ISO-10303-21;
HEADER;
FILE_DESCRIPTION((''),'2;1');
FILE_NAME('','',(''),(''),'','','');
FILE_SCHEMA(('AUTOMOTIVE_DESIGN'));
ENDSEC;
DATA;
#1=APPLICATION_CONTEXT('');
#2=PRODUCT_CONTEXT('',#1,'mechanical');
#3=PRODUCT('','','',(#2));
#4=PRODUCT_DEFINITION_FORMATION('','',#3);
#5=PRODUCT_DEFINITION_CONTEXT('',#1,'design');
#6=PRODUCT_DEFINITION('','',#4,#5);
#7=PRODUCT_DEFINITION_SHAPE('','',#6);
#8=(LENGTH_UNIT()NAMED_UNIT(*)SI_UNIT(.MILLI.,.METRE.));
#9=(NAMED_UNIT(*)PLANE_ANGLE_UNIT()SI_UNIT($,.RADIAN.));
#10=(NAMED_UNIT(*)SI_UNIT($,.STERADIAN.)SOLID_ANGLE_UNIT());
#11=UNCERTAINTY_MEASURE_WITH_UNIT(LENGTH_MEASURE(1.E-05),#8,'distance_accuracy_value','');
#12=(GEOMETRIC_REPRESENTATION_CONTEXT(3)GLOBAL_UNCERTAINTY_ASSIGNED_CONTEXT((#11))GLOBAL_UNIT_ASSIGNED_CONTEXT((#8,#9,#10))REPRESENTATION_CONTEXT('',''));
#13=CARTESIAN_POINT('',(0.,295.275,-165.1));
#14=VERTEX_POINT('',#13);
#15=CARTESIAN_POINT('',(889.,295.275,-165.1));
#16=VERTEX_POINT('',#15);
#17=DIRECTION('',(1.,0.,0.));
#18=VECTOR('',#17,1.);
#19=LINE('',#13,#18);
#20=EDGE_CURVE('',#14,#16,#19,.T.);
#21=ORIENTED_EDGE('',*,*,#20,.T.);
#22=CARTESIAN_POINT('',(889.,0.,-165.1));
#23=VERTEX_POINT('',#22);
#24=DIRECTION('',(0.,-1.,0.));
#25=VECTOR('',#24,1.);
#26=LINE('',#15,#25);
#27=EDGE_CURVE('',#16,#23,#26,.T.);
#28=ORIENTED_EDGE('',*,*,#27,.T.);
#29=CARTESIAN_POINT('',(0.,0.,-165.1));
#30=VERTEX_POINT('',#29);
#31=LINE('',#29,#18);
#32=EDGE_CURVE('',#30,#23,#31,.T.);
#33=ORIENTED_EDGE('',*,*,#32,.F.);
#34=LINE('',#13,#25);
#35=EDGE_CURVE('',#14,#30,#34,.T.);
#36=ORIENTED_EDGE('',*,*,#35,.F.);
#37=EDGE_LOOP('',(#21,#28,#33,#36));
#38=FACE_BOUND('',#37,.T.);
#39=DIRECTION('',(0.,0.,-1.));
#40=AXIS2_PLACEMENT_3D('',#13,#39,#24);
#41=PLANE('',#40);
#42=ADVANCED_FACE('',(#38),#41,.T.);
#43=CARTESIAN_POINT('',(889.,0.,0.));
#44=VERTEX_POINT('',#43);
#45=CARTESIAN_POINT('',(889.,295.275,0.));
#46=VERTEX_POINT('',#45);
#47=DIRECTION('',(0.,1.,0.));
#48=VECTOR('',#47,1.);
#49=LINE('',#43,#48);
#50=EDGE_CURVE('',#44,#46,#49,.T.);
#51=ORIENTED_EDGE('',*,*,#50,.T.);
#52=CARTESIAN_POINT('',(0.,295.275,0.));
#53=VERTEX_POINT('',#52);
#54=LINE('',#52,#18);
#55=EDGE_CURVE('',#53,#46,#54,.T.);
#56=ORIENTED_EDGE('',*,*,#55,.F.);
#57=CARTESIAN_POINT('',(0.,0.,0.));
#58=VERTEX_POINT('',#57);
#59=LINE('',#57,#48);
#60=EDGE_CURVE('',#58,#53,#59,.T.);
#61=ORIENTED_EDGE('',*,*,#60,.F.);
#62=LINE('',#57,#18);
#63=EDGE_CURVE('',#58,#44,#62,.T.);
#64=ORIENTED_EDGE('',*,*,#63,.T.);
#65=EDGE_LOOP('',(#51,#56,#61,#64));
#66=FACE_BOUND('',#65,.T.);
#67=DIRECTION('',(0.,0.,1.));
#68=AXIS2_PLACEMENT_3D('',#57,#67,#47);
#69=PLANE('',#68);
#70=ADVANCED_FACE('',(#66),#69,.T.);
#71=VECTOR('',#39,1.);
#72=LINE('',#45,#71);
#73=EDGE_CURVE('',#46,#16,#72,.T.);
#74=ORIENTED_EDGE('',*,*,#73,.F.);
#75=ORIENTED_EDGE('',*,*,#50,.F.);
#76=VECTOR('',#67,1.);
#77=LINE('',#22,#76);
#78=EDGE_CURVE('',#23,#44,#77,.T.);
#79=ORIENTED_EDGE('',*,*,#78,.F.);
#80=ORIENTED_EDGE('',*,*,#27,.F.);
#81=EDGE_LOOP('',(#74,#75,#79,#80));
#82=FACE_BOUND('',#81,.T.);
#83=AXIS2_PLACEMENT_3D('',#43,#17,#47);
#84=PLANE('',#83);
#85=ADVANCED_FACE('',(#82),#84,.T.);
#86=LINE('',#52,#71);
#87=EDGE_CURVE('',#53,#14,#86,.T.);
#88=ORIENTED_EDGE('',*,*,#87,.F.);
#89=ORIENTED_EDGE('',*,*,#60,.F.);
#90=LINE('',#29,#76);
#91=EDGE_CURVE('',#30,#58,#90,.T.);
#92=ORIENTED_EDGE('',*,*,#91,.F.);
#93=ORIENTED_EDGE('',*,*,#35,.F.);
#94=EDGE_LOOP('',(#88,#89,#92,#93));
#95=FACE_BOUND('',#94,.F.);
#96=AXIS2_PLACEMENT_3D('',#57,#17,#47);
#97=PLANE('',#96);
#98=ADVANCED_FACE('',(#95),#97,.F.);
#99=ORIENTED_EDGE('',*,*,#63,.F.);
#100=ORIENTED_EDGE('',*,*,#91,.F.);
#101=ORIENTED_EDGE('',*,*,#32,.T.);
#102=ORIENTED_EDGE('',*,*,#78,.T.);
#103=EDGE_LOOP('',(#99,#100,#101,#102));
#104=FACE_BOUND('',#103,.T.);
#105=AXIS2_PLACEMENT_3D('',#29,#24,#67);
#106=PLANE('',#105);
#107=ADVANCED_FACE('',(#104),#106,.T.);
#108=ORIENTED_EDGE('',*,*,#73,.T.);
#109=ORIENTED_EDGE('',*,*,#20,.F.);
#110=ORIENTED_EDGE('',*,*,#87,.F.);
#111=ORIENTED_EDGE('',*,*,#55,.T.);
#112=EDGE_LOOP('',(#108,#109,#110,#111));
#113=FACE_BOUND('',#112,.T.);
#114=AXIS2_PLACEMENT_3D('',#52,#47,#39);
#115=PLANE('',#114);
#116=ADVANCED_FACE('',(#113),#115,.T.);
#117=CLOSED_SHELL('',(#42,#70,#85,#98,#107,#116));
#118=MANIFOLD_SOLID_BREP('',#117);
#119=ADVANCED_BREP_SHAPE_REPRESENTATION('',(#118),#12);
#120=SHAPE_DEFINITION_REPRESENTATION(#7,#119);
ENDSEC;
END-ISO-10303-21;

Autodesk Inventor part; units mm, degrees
ref_plane "YZ Plane" through (0, 0, 0) normal (1, 0, 0) x (0, 1, 0)
ref_plane "XZ Plane" through (0, 0, 0) normal (0, 1, 0) x (-1, 0, 0)
ref_plane "XY Plane" through (0, 0, 0) normal (0, 0, 1) x (1, 0, 0)
sketch "Sketch2" plane through (0, 0, 0) normal (1, 0, 0) x (0, 1, 0)
  line L0 (0, 0) -> (295.275, 0)
  line L1 (295.275, 0) -> (295.275, -165.1)
  line L2 (295.275, -165.1) -> (0, -165.1)
  line L3 (0, -165.1) -> (0, 0)
  dimension "d3" = 295.275
  dimension "d4" = 165.1
extrude "Extrusion1" add sketch "Sketch2" along normal blind 889
